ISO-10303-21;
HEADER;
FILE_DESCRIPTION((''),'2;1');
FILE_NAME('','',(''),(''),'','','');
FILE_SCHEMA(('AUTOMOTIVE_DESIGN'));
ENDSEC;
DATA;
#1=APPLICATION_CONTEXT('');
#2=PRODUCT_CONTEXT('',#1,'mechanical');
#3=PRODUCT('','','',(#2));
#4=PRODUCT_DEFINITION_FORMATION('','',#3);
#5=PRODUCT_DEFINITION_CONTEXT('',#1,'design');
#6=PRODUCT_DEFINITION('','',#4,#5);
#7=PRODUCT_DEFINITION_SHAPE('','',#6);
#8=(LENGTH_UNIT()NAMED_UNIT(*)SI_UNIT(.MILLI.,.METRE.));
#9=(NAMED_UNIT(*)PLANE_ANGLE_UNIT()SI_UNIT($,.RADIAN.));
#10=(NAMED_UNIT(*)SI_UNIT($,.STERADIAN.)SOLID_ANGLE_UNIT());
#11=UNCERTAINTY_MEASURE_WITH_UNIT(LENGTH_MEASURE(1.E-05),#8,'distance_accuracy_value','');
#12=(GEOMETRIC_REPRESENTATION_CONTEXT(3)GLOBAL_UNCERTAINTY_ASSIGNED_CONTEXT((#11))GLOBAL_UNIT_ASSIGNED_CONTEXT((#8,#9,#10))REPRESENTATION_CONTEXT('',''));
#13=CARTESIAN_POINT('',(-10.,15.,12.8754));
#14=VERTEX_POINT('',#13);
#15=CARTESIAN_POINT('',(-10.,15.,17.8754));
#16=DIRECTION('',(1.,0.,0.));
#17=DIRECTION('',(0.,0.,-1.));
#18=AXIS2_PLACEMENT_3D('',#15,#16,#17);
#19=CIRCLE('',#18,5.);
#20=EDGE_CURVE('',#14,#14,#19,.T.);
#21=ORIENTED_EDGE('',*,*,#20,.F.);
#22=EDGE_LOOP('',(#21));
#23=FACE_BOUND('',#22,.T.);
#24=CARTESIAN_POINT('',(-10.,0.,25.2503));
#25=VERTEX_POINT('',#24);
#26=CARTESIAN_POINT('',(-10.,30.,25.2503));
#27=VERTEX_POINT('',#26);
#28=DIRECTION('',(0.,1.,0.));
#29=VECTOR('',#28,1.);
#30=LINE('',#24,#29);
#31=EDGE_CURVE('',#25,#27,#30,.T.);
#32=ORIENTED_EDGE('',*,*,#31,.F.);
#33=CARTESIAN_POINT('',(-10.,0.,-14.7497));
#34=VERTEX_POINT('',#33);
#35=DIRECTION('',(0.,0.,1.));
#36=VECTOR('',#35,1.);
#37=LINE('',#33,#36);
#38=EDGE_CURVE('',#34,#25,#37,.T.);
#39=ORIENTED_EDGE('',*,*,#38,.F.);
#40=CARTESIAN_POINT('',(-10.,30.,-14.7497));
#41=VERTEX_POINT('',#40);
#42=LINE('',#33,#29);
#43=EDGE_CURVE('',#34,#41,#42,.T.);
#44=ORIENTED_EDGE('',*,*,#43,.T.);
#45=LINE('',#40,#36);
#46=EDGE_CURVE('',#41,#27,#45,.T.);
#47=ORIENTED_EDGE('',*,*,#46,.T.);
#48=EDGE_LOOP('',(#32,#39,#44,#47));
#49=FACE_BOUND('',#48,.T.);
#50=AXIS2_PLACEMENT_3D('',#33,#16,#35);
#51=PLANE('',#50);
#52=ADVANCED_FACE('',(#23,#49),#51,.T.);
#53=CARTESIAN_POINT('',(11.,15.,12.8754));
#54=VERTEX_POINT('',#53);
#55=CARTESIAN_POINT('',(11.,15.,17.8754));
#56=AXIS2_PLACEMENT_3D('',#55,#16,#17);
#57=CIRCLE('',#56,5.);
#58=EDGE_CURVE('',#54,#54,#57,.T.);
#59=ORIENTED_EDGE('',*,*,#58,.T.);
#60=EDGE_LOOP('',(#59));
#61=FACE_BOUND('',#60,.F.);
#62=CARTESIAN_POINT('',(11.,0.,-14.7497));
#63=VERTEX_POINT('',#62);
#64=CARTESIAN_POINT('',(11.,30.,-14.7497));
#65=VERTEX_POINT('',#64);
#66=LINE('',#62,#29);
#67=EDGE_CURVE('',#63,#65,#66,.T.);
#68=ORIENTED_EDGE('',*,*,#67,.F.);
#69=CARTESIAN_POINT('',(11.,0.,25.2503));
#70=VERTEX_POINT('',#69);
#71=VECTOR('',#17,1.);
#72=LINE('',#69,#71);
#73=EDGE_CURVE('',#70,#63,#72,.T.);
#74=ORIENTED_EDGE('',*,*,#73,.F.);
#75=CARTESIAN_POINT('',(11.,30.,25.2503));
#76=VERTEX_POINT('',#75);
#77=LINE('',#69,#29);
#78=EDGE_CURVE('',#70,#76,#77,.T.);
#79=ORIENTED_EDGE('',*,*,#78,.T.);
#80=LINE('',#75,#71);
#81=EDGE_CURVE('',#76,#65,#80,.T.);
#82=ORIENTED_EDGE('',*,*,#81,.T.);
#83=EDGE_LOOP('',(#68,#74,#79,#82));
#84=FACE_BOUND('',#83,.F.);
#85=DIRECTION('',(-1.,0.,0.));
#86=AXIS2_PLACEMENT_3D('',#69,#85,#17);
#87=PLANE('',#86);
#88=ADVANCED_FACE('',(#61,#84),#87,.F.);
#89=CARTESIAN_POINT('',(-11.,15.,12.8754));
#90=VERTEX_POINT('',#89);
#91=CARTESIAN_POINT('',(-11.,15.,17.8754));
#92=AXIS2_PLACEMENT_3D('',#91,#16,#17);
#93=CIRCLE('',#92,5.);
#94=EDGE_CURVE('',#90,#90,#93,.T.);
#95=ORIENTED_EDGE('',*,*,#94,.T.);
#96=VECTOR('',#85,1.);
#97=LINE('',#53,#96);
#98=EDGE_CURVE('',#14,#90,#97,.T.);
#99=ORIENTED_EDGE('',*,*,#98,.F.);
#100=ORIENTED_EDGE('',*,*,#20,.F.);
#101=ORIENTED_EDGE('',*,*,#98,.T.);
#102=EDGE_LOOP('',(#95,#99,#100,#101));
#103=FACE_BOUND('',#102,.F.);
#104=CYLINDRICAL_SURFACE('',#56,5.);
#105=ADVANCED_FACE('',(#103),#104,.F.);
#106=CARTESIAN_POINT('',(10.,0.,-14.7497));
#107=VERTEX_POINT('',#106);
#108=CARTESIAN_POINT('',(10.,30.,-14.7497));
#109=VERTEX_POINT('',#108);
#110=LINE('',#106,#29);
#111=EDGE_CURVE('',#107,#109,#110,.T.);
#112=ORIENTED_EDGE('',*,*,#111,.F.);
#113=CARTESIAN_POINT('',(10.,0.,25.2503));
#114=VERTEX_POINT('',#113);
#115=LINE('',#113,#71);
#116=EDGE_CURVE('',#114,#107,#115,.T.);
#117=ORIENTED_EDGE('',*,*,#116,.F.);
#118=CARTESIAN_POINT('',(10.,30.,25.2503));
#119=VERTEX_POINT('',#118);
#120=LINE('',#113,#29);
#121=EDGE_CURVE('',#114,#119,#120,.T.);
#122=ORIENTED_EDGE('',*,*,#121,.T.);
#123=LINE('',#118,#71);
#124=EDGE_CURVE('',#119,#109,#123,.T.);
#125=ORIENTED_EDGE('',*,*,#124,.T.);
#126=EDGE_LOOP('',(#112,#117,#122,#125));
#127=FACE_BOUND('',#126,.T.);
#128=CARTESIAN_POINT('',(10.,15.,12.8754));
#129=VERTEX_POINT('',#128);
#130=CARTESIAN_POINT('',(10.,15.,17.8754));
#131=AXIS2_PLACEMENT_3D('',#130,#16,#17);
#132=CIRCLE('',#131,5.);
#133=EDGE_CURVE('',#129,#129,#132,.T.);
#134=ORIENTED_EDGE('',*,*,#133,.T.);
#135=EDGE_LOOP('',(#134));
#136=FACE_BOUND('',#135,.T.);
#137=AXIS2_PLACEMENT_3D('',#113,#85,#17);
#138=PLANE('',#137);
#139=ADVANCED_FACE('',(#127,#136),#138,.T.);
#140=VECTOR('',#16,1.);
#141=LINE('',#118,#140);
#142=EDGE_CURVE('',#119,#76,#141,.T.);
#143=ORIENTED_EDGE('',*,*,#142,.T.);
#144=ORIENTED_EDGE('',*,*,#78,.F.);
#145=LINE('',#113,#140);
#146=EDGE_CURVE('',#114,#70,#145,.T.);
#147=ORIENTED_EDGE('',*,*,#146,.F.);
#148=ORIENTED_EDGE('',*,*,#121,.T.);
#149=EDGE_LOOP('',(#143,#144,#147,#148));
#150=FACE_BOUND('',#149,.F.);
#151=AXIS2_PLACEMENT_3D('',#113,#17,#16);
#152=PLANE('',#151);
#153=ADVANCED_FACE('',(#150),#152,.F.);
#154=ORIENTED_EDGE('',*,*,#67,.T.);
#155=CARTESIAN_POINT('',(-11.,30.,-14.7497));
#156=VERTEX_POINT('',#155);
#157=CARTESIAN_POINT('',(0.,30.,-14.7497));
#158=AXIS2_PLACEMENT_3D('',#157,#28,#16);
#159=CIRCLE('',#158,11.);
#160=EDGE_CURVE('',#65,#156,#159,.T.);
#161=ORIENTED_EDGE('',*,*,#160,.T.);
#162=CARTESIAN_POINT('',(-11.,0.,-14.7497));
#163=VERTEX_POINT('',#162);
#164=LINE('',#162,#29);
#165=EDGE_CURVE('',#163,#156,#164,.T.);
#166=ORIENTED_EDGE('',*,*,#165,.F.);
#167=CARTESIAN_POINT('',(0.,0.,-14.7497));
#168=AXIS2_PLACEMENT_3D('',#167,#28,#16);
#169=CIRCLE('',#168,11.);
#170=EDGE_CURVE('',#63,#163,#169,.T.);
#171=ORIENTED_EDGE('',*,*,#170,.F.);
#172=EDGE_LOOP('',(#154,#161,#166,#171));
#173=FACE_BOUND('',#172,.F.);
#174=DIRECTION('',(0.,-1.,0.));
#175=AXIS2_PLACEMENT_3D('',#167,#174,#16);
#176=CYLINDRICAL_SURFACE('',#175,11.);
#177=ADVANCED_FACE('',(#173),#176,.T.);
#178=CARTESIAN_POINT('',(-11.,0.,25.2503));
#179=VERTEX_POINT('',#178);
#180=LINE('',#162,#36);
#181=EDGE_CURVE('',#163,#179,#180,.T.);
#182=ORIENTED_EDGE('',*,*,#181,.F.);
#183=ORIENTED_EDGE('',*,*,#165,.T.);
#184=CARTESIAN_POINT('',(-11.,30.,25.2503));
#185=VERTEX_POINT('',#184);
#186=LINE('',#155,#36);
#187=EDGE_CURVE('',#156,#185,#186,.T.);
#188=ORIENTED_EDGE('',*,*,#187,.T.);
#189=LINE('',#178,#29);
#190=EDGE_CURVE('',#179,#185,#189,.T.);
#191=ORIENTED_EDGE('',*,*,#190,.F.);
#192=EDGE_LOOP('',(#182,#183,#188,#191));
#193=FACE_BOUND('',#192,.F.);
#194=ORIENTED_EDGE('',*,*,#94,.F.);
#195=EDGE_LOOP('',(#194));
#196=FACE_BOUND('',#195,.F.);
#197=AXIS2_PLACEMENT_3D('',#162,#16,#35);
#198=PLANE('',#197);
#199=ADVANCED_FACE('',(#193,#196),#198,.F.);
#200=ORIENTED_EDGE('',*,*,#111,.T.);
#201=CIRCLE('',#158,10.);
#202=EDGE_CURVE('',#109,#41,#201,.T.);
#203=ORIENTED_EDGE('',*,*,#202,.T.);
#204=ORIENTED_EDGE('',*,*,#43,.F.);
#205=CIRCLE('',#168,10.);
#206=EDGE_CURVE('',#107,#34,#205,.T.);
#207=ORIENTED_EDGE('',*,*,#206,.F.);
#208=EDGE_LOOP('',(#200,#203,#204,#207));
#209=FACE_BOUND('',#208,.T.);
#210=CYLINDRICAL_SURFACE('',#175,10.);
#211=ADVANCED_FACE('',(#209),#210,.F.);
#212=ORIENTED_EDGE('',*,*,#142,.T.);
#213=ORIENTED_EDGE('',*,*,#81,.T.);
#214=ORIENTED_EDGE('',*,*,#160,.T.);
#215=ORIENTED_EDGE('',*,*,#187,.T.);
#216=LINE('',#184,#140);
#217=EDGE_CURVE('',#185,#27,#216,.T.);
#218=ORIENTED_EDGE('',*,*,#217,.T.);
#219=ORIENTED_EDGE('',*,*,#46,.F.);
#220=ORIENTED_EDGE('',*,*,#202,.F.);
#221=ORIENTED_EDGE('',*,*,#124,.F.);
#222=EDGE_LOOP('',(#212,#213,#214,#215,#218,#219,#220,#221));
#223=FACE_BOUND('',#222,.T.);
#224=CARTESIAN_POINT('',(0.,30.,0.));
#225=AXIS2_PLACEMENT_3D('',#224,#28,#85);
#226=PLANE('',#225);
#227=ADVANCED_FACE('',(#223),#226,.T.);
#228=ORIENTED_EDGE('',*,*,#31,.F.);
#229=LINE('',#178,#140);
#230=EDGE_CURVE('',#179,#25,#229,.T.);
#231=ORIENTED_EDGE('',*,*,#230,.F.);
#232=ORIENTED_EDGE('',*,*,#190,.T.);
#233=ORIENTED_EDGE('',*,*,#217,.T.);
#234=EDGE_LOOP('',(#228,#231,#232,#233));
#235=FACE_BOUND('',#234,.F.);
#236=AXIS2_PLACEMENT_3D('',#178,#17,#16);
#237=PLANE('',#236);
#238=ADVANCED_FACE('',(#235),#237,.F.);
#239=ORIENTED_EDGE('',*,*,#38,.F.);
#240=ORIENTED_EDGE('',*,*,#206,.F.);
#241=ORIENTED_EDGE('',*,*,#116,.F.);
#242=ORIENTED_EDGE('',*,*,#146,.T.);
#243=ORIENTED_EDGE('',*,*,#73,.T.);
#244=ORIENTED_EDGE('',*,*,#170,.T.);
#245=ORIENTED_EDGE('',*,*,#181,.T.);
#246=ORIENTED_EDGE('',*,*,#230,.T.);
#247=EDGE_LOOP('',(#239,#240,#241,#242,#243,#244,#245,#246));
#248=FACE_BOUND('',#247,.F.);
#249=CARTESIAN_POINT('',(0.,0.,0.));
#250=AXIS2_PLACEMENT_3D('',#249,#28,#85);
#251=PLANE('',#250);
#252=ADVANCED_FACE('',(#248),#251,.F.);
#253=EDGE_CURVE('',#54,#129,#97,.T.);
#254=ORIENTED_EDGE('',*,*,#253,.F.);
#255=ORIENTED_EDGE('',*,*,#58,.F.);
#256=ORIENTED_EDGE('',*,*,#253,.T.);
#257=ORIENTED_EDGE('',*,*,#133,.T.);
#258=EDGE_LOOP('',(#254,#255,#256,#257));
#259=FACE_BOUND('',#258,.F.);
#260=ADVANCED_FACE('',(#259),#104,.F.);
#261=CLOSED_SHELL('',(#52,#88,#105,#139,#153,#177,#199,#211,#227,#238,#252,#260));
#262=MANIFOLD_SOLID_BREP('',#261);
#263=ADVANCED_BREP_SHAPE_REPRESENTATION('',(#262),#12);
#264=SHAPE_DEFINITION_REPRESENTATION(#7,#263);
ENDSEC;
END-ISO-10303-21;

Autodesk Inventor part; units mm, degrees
ref_plane "YZ Plane" through (0, 0, 0) normal (1, 0, 0) x (0, 1, 0)
ref_plane "XZ Plane" through (0, 0, 0) normal (0, 1, 0) x (-1, 0, 0)
ref_plane "XY Plane" through (0, 0, 0) normal (0, 0, 1) x (1, 0, 0)
sketch "Sketch1" plane through (0, 0, 0) normal (0, 1, 0) x (-1, 0, 0)
  line L0 (0, 14.7497) -> (0, -14.7497) construction
  line L1 (-11, 25.2503) -> (-11, -14.7497)
  line L2 (11, -14.7497) -> (11, 25.2503)
  arc A0 (-11, -14.7497) -> (11, -14.7497) centre (0, -14.7497) ccw
  line L3 (0, 14.7497) -> (0, -14.7497) construction
  line L4 (-10, 25.2503) -> (-10, -14.7497)
  line L5 (10, -14.7497) -> (10, 25.2503)
  arc A1 (-10, -14.7497) -> (10, -14.7497) centre (0, -14.7497) ccw
  line L6 (11, 25.2503) -> (10, 25.2503)
  line L7 (-10, 25.2503) -> (-11, 25.2503)
  point P0 (0, 0)
  dimension "d0" = 22
  dimension "d1" = 20
  dimension "d7" = 40
  dimension "d8" = 40
extrude "Extrusion1" add sketch "Sketch1" along normal blind 30
sketch "Sketch2" plane through (11, 0, 25.2503) normal (1, 0, 0) x (0, 0, -1)
  point P0 (25.2503, 0)
sketch "Sketch3" plane through (11, 0, 25.2503) normal (1, 0, 0) x (0, 0, -1)
  point P0 (25.2503, 0)
sketch "Sketch4" plane through (11, 0, 25.2503) normal (1, 0, 0) x (0, 0, -1)
  line L0 (0, 0) -> (40, 0) projected
  line L1 (40, 0) -> (40, 30) projected
  line L2 (0, 30) -> (40, 30) projected
  line L3 (0, 0) -> (0, 30) projected
  circle A0 centre (7.3749, 15) radius 5
  point P0 (25.2503, 0)
  dimension "d4" = 10
extrude "Extrusion2" cut sketch "Sketch4" against normal through all contours A0
properties part number "Joiner"
